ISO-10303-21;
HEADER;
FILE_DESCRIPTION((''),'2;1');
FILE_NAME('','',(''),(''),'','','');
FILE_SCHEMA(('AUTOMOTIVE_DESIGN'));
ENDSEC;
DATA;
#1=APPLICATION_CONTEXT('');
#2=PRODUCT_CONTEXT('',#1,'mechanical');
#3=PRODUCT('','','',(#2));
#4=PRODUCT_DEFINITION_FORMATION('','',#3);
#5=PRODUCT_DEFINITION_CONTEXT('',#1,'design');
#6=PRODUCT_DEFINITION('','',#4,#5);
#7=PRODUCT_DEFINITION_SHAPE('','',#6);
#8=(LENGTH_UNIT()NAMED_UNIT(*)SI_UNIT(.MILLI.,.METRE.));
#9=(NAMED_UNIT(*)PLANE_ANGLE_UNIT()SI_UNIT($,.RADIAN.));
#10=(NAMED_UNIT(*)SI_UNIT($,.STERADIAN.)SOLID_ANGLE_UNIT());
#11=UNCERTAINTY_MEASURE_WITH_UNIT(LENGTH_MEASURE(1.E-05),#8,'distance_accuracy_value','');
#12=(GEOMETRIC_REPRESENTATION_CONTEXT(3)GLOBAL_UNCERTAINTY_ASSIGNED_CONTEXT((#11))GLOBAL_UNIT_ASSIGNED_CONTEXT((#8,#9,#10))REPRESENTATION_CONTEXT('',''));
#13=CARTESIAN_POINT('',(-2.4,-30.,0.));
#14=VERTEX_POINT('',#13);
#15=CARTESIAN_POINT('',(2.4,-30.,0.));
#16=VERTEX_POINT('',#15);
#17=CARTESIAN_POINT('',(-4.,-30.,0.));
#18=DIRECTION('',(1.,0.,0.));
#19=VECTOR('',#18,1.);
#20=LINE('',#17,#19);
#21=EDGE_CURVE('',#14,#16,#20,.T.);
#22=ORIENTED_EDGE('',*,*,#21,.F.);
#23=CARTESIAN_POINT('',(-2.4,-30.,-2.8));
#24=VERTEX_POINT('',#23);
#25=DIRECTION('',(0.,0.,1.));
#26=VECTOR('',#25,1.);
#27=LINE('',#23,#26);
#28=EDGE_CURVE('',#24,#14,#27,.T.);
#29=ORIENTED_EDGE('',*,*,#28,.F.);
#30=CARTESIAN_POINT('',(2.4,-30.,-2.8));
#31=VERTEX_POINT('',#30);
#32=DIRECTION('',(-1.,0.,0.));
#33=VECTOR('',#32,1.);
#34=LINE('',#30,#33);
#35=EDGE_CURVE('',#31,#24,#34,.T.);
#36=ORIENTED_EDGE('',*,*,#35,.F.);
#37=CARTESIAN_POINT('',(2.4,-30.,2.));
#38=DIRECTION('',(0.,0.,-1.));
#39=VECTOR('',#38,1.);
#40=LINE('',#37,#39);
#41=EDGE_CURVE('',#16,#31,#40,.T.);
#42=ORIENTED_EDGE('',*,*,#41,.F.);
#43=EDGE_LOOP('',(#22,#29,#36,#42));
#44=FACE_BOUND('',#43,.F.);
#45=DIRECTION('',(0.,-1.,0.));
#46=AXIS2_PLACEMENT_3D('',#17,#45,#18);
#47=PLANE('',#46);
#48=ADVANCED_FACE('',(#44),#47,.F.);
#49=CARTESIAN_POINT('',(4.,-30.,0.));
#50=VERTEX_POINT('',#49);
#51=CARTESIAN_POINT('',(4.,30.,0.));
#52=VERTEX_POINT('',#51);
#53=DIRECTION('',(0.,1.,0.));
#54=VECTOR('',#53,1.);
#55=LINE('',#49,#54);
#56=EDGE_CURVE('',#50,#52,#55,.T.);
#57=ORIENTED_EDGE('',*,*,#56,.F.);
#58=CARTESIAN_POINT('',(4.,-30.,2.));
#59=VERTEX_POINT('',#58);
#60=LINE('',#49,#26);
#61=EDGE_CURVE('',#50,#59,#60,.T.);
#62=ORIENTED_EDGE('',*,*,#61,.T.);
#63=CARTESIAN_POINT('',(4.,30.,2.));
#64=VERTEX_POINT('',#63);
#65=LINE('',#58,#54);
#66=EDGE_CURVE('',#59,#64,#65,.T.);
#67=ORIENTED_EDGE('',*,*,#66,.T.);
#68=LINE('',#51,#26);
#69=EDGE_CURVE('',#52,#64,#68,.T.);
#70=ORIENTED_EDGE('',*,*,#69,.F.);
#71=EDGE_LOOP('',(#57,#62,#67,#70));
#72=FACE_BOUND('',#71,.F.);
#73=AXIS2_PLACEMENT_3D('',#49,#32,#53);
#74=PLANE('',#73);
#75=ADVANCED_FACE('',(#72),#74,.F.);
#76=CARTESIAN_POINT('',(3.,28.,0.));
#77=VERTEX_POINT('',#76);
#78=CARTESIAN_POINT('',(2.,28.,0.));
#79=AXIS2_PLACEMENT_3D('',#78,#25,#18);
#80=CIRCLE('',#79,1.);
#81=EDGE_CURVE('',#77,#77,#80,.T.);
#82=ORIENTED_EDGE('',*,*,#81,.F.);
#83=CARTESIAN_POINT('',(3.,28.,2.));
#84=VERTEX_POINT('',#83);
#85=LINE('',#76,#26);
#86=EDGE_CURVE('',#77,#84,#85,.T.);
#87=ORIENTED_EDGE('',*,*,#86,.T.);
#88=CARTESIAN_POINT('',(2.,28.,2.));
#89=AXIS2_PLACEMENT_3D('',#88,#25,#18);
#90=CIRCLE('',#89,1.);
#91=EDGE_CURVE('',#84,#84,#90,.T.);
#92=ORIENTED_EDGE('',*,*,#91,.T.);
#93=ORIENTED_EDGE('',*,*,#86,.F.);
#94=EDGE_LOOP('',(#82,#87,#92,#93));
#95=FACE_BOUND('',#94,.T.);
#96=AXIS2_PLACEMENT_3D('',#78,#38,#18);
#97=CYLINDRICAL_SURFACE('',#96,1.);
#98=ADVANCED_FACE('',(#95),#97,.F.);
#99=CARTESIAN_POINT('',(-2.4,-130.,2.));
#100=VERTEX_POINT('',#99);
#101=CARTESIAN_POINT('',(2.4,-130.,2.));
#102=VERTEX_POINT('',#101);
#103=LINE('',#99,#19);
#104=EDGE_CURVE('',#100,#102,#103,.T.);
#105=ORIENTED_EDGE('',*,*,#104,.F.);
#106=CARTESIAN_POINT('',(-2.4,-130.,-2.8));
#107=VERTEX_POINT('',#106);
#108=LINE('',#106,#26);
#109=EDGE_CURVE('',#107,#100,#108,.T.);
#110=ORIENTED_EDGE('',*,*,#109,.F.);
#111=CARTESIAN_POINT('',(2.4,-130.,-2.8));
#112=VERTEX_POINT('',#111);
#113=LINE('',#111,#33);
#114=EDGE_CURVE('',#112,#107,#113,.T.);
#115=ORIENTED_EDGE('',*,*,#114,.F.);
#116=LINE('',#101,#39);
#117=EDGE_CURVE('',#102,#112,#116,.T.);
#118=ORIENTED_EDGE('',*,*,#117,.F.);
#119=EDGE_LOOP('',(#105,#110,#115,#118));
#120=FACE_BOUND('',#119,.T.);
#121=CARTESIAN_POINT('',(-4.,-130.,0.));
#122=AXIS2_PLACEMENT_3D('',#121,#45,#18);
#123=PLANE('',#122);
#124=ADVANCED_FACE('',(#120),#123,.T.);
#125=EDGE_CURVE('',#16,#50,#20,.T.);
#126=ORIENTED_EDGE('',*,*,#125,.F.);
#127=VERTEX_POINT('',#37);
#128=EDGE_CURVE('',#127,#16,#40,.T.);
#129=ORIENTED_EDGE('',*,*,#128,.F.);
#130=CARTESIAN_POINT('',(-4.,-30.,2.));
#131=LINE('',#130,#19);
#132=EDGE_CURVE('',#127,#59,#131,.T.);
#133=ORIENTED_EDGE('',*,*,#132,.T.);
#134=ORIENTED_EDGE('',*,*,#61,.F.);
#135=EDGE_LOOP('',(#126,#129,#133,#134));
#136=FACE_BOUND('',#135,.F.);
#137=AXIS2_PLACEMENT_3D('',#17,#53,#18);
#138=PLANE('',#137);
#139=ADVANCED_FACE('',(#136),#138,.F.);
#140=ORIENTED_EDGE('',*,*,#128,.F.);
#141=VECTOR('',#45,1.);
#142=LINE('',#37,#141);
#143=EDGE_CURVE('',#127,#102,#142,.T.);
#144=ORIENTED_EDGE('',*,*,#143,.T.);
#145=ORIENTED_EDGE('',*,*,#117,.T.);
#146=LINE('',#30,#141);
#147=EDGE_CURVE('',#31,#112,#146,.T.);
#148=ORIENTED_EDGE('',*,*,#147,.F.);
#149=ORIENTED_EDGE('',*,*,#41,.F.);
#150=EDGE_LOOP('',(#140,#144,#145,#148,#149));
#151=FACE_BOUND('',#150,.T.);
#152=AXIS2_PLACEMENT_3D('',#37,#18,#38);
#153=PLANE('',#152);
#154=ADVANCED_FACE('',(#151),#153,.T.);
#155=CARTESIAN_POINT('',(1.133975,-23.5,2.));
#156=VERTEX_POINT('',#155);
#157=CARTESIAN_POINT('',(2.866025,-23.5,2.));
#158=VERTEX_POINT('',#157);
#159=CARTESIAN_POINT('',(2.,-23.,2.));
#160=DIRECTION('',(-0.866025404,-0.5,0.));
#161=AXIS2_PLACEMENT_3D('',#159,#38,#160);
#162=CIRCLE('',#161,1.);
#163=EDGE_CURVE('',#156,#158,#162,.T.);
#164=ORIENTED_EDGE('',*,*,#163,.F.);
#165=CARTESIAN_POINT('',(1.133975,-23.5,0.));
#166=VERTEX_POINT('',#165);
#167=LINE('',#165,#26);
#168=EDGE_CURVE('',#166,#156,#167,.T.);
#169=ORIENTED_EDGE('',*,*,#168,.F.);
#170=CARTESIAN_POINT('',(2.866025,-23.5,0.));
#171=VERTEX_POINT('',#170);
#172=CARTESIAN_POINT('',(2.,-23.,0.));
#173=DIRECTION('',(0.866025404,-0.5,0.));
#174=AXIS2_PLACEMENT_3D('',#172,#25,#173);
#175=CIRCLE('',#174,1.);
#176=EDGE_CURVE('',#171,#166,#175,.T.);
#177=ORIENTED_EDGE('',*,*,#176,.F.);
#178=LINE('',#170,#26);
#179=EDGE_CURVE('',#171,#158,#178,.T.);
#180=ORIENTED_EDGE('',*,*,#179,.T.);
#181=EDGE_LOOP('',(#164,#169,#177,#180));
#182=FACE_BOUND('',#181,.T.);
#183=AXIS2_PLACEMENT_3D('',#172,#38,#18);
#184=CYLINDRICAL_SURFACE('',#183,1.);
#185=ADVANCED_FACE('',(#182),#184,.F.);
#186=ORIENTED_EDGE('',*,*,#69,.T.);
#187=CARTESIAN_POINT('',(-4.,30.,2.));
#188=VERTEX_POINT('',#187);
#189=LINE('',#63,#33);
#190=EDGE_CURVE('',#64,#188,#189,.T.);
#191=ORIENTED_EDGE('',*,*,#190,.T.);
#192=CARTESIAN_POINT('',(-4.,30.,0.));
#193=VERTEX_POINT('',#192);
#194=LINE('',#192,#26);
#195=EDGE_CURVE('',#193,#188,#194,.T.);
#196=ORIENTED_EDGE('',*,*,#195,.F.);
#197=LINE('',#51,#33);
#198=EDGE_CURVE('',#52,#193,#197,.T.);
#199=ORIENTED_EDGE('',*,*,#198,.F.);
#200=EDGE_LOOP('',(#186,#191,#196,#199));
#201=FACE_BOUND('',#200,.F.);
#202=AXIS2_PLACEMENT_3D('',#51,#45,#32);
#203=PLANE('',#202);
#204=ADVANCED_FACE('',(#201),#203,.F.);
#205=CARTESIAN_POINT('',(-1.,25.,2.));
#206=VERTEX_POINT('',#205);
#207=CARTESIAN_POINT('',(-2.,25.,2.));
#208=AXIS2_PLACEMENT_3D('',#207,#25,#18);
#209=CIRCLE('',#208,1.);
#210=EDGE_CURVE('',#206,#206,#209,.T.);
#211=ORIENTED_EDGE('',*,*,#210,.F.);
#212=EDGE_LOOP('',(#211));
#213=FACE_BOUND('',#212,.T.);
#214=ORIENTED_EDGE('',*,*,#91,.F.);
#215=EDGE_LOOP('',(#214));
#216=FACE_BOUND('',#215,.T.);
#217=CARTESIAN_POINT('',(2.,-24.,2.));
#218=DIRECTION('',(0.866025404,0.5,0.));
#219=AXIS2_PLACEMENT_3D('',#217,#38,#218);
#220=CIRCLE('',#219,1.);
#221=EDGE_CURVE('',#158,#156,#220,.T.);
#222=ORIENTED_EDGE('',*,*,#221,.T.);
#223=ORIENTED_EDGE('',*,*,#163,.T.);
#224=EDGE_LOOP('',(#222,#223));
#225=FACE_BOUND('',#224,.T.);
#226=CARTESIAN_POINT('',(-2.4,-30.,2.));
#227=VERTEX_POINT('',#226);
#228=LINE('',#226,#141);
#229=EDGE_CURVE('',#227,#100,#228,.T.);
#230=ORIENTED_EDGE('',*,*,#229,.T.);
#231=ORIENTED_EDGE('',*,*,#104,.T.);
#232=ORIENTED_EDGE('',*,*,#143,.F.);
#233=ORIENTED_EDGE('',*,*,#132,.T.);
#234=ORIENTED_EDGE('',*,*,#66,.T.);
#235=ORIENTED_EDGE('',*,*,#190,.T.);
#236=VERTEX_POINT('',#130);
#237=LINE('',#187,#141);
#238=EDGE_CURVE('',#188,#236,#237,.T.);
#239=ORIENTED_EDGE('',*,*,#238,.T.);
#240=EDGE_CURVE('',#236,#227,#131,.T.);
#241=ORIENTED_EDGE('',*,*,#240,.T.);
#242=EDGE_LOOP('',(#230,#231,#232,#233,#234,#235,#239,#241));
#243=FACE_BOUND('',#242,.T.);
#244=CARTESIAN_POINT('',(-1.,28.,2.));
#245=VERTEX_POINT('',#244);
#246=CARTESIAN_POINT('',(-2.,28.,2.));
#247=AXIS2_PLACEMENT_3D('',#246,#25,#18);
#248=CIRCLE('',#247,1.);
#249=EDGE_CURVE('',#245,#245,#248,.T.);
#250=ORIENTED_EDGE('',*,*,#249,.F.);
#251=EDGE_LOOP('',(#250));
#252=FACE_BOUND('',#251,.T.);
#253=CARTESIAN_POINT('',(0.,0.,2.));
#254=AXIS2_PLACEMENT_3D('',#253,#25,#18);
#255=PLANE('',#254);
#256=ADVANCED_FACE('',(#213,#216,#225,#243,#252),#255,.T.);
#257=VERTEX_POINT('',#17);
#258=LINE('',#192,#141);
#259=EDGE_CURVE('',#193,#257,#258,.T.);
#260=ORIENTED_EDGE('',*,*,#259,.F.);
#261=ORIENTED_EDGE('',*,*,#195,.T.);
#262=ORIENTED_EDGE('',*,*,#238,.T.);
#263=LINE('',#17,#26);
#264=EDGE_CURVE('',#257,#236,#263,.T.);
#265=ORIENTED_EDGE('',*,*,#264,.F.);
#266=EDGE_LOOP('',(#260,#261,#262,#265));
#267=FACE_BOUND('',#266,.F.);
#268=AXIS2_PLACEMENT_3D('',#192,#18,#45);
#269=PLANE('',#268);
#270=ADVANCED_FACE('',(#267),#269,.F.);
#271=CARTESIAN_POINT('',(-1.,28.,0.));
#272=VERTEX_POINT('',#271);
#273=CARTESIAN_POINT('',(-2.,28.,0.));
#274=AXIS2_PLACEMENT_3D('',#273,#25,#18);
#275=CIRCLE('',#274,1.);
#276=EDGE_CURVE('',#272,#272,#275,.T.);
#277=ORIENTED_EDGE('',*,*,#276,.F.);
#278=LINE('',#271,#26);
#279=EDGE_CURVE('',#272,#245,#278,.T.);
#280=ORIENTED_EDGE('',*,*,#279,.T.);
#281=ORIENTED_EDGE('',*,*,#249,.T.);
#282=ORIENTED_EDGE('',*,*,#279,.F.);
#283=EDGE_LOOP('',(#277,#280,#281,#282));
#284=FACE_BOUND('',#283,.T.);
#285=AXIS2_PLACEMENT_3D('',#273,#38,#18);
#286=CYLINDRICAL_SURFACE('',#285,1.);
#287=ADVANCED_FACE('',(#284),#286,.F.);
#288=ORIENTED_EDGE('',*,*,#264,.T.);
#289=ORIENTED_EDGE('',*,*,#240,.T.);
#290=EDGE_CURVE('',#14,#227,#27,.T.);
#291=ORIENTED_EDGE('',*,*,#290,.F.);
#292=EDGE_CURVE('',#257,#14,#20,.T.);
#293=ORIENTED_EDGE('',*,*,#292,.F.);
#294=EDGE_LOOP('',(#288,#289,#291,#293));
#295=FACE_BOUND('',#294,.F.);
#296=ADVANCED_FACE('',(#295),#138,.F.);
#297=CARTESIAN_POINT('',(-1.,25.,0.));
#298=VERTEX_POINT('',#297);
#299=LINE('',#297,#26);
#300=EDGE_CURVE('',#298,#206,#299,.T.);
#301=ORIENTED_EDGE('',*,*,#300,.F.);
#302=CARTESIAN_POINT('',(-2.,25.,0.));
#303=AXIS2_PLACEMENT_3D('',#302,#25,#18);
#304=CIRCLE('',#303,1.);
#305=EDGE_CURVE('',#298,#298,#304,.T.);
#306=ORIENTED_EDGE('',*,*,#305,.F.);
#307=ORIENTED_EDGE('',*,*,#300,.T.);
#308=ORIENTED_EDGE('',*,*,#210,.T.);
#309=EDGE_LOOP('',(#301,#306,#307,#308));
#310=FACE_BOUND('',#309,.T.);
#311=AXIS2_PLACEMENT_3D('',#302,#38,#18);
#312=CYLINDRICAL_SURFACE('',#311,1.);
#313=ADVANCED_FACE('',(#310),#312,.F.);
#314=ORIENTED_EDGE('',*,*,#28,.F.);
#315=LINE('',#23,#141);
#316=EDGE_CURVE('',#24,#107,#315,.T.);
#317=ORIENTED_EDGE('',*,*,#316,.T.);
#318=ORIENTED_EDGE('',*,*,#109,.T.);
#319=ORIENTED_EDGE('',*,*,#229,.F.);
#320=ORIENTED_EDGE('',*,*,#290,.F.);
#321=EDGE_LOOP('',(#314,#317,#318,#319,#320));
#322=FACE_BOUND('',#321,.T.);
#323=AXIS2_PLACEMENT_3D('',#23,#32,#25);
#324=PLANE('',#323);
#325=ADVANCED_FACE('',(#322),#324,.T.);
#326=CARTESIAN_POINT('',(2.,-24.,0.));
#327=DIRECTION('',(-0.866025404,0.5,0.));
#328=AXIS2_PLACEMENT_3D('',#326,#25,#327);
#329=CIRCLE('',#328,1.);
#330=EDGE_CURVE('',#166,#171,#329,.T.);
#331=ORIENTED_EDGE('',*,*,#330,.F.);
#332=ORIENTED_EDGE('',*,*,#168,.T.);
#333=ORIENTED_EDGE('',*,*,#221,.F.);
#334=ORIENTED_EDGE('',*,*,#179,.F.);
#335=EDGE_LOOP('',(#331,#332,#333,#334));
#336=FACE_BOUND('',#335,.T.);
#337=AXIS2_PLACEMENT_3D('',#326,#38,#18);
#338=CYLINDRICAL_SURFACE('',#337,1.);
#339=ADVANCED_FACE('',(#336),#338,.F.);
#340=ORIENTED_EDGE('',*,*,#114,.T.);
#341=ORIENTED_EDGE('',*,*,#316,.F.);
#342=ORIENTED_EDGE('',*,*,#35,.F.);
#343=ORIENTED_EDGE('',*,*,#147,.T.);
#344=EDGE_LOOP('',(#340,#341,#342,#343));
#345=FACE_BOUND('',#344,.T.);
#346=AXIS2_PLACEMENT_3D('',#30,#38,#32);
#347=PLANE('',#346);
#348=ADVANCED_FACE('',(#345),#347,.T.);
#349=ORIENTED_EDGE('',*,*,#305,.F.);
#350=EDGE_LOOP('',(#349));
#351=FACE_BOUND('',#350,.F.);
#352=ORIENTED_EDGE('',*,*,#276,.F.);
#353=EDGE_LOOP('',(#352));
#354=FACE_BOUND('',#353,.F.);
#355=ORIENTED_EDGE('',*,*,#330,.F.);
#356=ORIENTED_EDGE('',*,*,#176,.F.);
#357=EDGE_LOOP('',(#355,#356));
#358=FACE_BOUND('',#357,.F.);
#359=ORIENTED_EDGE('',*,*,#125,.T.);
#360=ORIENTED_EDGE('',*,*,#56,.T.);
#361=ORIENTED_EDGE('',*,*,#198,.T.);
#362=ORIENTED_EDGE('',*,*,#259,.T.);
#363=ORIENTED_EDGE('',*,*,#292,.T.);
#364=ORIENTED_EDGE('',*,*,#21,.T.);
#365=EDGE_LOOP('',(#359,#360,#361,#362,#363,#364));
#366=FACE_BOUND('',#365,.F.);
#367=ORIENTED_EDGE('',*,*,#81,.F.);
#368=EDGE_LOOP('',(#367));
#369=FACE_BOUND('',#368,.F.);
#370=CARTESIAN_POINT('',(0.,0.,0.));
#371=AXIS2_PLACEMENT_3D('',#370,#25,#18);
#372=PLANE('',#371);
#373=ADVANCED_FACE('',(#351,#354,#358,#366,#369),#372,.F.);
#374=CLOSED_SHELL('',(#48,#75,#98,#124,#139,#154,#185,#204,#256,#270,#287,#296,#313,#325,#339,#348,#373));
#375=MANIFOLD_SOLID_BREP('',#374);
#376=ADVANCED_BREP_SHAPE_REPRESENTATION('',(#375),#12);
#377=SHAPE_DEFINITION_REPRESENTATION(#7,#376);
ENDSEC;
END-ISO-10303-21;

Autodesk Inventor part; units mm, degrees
ref_plane "YZ Plane" through (0, 0, 0) normal (1, 0, 0) x (0, 1, 0)
ref_plane "XZ Plane" through (0, 0, 0) normal (0, 1, 0) x (-1, 0, 0)
ref_plane "XY Plane" through (0, 0, 0) normal (0, 0, 1) x (1, 0, 0)
sketch "Sketch1" plane through (0, 0, 0) normal (0, 0, 1) x (1, 0, 0)
  line L0 (-4, -30) -> (4, -30)
  line L1 (4, -30) -> (4, 30)
  line L2 (4, 30) -> (-4, 30)
  line L3 (-4, 30) -> (-4, -30)
  line L4 (-4, -30) -> (4, 30) construction
  line L5 (4, -30) -> (-4, 30) construction
  circle A0 centre (-2, 28) radius 1
  circle A1 centre (2, 28) radius 1
  circle A2 centre (-2, 25) radius 1
  circle A3 centre (2, -24) radius 1
  circle A4 centre (2, -23) radius 1
  point P0 (0, 0)
  point P1 (2.866, -23.5)
  point P2 (1.134, -23.5)
  dimension "d11" = 2
  dimension "d0" = 8
  dimension "d1" = 60
  dimension "d2" = 2
  dimension "d3" = 2
  dimension "d4" = 2
  dimension "d5" = 2
  dimension "d6" = 2
  dimension "d7" = 2
  dimension "d8" = 2
  dimension "d9" = 2
  dimension "d10" = 3
  dimension "d12" = 6
  dimension "d13" = 2
  dimension "d14" = 2
extrude "Extrusion1" add sketch "Sketch1" along normal blind 2
sketch "Sketch2" plane through (-4, -30, 0) normal (0, -1, 0) x (1, 0, 0)
  line L0 (1.6, 2) -> (6.4, 2)
  line L1 (6.4, 2) -> (6.4, -2.8)
  line L2 (6.4, -2.8) -> (1.6, -2.8)
  line L3 (1.6, -2.8) -> (1.6, 2)
  dimension "d21" = 4.8
  dimension "d22" = 4.8
extrude "Extrusion2" add sketch "Sketch2" along normal blind 100
properties part number "ArmV2"
